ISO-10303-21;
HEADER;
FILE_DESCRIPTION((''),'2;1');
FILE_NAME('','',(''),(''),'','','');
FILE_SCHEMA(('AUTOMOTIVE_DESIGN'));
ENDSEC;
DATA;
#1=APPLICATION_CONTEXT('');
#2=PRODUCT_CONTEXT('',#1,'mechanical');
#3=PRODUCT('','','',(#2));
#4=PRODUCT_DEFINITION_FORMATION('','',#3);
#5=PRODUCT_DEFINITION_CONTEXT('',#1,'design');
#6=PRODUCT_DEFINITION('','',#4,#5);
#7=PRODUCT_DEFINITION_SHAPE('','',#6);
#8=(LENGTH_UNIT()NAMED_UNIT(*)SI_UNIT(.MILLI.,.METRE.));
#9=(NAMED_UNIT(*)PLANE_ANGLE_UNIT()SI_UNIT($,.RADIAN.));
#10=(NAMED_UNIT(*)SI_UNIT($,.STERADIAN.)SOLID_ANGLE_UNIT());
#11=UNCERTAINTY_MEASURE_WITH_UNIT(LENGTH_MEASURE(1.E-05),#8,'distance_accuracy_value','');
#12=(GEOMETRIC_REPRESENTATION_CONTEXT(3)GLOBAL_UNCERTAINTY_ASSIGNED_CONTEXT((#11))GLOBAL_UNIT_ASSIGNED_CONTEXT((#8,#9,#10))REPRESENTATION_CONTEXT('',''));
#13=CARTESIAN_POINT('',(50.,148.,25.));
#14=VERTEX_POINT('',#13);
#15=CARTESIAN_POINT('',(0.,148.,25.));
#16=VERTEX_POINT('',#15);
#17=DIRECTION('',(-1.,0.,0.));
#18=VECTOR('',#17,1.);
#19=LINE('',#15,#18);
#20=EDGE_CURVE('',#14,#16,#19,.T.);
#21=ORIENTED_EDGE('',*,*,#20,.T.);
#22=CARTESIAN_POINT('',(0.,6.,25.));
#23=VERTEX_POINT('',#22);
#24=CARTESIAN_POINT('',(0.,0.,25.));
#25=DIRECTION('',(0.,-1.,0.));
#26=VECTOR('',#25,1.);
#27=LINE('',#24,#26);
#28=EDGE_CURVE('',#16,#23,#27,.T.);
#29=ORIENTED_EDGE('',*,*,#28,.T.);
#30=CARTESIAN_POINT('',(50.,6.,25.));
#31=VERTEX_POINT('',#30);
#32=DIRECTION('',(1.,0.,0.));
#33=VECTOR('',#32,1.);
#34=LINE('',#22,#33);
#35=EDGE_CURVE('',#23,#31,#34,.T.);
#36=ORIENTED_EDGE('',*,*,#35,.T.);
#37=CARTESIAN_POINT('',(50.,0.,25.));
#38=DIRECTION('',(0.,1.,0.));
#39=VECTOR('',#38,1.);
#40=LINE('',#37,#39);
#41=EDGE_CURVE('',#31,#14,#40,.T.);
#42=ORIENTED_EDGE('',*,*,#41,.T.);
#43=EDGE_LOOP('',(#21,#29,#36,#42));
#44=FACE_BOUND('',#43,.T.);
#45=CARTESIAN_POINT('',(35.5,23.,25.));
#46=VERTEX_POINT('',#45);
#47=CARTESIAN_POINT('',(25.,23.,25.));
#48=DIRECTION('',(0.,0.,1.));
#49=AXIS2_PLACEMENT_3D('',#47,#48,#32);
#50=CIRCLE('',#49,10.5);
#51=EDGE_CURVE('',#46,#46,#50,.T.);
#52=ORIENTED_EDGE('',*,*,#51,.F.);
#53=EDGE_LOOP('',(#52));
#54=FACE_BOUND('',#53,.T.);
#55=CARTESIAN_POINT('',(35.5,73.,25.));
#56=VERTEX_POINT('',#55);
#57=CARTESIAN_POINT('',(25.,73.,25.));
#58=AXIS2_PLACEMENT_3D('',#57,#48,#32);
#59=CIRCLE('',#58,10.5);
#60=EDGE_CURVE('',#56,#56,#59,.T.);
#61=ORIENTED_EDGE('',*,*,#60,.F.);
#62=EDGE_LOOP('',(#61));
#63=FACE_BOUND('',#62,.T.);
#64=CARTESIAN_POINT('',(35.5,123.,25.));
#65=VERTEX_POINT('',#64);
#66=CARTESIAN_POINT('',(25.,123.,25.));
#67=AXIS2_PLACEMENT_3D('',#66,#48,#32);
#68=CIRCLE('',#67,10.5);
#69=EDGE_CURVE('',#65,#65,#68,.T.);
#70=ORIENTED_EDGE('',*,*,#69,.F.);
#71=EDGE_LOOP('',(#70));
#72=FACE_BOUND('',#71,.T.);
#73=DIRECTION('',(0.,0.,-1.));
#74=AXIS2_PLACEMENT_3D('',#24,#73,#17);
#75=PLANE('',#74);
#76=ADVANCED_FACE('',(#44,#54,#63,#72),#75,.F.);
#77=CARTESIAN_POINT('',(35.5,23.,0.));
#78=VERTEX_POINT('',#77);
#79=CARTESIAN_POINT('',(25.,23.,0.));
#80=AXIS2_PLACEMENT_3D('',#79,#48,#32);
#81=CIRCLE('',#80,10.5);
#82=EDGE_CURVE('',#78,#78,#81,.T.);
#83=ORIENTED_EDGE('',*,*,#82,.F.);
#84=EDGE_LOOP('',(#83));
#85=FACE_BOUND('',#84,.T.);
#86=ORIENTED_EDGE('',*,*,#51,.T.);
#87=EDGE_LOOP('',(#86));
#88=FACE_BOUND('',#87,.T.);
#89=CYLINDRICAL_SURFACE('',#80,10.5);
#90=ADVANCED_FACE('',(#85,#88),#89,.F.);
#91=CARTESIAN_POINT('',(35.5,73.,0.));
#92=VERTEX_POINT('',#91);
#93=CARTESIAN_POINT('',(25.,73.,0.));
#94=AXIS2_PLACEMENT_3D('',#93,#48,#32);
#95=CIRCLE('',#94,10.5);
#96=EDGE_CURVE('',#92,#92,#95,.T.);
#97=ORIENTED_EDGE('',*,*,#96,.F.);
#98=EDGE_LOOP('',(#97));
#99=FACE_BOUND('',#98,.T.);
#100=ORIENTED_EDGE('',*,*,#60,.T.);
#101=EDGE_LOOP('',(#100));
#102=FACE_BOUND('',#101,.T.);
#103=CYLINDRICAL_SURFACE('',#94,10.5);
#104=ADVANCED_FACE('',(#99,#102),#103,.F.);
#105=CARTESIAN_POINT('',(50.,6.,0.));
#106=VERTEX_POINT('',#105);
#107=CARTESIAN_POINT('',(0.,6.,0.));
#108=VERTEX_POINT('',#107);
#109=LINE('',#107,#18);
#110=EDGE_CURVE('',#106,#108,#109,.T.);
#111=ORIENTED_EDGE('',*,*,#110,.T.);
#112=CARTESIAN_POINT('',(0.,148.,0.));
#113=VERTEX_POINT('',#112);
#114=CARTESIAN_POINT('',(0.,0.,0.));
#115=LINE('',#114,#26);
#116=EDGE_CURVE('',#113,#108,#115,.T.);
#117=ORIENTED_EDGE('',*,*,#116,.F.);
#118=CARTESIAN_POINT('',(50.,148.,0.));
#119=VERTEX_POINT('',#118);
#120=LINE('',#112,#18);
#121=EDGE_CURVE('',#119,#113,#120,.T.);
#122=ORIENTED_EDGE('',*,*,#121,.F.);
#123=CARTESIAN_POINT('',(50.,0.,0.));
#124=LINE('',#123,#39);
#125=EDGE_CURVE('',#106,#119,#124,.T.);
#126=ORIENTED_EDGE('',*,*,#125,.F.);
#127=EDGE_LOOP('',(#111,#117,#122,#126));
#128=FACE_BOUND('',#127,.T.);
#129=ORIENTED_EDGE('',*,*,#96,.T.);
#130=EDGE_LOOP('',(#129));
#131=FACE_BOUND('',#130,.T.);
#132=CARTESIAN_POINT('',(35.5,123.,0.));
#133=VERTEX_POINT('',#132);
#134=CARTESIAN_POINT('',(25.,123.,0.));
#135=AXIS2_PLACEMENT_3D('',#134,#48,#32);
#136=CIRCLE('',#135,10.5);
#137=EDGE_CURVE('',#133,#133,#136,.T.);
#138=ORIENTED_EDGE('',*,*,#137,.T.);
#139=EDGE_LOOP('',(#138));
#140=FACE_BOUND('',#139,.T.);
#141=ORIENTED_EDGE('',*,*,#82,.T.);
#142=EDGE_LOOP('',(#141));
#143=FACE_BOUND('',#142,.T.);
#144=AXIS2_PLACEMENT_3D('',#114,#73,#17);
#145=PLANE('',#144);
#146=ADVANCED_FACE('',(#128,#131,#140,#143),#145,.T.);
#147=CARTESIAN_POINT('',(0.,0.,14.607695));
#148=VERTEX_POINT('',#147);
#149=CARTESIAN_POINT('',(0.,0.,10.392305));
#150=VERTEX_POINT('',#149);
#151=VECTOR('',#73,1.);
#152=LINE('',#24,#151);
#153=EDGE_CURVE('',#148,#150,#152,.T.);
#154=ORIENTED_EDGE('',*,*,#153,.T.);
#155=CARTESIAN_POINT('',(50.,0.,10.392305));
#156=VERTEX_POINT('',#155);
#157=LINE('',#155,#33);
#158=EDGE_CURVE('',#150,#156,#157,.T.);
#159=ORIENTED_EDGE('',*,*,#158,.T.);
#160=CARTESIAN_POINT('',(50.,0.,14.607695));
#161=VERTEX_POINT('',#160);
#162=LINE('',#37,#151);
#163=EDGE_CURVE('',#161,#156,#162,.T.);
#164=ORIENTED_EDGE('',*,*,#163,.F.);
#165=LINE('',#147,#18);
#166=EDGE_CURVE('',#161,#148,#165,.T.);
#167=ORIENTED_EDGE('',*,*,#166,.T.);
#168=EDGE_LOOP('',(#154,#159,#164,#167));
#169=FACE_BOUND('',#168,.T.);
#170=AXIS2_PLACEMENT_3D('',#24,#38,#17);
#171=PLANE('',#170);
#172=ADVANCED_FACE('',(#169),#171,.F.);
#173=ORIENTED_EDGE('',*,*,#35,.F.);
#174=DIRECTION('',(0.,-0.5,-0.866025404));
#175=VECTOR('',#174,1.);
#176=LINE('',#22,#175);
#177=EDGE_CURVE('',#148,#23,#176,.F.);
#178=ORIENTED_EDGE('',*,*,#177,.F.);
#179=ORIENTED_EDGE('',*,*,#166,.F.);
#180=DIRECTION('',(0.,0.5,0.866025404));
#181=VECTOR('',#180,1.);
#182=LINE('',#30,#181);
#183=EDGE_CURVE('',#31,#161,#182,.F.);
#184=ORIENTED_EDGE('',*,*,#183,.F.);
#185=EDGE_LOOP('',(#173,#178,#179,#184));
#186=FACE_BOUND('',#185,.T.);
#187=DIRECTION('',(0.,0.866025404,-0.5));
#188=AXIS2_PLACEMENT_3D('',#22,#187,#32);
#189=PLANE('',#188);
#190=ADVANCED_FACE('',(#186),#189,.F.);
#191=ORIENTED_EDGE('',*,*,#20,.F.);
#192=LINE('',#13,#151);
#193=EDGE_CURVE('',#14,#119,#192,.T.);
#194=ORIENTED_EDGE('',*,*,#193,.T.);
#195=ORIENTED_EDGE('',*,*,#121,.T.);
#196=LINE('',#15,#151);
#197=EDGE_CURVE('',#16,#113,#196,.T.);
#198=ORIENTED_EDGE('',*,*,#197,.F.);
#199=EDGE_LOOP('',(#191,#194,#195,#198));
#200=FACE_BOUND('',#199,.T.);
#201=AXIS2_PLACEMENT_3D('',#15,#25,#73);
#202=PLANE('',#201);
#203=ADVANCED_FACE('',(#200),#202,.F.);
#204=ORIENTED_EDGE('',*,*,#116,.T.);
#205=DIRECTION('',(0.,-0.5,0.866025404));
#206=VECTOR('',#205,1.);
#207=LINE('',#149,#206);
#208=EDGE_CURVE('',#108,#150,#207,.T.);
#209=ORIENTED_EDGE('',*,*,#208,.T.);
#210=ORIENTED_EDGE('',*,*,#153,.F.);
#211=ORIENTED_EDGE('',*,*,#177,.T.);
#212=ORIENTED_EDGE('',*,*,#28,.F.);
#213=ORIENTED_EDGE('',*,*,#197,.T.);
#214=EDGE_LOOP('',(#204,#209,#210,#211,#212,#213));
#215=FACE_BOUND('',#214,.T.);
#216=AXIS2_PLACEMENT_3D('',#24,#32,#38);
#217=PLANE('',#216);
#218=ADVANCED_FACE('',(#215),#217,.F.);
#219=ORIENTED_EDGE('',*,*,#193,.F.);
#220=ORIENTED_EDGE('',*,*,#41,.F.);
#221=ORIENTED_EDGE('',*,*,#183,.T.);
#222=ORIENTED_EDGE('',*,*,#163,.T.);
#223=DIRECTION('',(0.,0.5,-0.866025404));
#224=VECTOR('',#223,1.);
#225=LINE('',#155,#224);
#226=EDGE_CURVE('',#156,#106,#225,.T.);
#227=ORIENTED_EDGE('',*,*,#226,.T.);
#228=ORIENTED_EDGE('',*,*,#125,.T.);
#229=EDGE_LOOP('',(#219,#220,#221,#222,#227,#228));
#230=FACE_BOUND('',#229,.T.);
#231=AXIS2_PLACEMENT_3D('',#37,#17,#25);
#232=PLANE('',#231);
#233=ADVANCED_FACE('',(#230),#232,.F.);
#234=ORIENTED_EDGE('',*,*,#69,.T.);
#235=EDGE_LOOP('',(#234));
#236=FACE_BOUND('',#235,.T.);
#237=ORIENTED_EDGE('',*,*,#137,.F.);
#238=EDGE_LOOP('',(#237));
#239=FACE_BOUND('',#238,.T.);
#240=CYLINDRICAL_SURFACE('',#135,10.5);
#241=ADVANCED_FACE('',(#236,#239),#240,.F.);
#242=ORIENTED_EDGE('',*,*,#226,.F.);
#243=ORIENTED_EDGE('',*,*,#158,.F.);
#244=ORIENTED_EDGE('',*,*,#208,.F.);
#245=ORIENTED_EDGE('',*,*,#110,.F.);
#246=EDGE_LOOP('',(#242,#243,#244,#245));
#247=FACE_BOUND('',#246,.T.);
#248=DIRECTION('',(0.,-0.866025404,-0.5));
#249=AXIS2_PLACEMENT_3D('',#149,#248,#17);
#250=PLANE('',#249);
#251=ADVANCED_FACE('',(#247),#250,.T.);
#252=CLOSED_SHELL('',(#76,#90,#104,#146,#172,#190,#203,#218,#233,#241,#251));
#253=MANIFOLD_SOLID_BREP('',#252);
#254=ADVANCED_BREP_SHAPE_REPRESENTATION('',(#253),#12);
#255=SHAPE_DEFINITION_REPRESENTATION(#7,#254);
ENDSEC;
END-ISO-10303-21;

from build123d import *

# Parameters (mm, degrees)
SKETCH_1_W          = 50
SKETCH_1_H          = 148
EXTRUDE_1_DEPTH     = 25
SKETCH_2_R          = 10.5
CUT_EXTRUDE_1_DEPTH = 26
CHAMFER_1_SIZE      = 6
CHAMFER_1_SIZE2     = 10.392304845
CHAMFER_2_SIZE      = 6
CHAMFER_2_SIZE2     = 10.392304845


with BuildPart() as part:
    # Эскиз1 → Бобышка-Вытянуть1 (new body)
    with BuildSketch(Plane.XY):
        with Locations((25, 74)):
            Rectangle(SKETCH_1_W, SKETCH_1_H)
    extrude(amount=EXTRUDE_1_DEPTH)

    # Эскиз2 → Вырез-Вытянуть1 (cut, through all)
    with BuildSketch(Plane.XY.offset(25)):
        with Locations((25, 23)):
            Circle(SKETCH_2_R)
        with Locations((25, 73)):
            Circle(SKETCH_2_R)
        with Locations((25, 123)):
            Circle(SKETCH_2_R)
    extrude(amount=-CUT_EXTRUDE_1_DEPTH, mode=Mode.SUBTRACT)

    # Фаска1
    chamfer_1_edges = [part.edges().sort_by_distance(p)[0] for p in [
        (25, 0, 0),
    ]]
    chamfer_1_side = [part.faces().sort_by_distance(p)[0] for p in [
        (25, 1.562177967, 0),
    ]]
    chamfer(chamfer_1_edges, length=CHAMFER_1_SIZE, length2=CHAMFER_1_SIZE2, reference=chamfer_1_side[0])

    # Фаска2
    chamfer_2_edges = [part.edges().sort_by_distance(p)[0] for p in [
        (25, 0, 25),
    ]]
    chamfer_2_side = [part.faces().sort_by_distance(p)[0] for p in [
        (25, 1.562177967, 25),
    ]]
    chamfer(chamfer_2_edges, length=CHAMFER_2_SIZE, length2=CHAMFER_2_SIZE2, reference=chamfer_2_side[0])


solid = part.part
